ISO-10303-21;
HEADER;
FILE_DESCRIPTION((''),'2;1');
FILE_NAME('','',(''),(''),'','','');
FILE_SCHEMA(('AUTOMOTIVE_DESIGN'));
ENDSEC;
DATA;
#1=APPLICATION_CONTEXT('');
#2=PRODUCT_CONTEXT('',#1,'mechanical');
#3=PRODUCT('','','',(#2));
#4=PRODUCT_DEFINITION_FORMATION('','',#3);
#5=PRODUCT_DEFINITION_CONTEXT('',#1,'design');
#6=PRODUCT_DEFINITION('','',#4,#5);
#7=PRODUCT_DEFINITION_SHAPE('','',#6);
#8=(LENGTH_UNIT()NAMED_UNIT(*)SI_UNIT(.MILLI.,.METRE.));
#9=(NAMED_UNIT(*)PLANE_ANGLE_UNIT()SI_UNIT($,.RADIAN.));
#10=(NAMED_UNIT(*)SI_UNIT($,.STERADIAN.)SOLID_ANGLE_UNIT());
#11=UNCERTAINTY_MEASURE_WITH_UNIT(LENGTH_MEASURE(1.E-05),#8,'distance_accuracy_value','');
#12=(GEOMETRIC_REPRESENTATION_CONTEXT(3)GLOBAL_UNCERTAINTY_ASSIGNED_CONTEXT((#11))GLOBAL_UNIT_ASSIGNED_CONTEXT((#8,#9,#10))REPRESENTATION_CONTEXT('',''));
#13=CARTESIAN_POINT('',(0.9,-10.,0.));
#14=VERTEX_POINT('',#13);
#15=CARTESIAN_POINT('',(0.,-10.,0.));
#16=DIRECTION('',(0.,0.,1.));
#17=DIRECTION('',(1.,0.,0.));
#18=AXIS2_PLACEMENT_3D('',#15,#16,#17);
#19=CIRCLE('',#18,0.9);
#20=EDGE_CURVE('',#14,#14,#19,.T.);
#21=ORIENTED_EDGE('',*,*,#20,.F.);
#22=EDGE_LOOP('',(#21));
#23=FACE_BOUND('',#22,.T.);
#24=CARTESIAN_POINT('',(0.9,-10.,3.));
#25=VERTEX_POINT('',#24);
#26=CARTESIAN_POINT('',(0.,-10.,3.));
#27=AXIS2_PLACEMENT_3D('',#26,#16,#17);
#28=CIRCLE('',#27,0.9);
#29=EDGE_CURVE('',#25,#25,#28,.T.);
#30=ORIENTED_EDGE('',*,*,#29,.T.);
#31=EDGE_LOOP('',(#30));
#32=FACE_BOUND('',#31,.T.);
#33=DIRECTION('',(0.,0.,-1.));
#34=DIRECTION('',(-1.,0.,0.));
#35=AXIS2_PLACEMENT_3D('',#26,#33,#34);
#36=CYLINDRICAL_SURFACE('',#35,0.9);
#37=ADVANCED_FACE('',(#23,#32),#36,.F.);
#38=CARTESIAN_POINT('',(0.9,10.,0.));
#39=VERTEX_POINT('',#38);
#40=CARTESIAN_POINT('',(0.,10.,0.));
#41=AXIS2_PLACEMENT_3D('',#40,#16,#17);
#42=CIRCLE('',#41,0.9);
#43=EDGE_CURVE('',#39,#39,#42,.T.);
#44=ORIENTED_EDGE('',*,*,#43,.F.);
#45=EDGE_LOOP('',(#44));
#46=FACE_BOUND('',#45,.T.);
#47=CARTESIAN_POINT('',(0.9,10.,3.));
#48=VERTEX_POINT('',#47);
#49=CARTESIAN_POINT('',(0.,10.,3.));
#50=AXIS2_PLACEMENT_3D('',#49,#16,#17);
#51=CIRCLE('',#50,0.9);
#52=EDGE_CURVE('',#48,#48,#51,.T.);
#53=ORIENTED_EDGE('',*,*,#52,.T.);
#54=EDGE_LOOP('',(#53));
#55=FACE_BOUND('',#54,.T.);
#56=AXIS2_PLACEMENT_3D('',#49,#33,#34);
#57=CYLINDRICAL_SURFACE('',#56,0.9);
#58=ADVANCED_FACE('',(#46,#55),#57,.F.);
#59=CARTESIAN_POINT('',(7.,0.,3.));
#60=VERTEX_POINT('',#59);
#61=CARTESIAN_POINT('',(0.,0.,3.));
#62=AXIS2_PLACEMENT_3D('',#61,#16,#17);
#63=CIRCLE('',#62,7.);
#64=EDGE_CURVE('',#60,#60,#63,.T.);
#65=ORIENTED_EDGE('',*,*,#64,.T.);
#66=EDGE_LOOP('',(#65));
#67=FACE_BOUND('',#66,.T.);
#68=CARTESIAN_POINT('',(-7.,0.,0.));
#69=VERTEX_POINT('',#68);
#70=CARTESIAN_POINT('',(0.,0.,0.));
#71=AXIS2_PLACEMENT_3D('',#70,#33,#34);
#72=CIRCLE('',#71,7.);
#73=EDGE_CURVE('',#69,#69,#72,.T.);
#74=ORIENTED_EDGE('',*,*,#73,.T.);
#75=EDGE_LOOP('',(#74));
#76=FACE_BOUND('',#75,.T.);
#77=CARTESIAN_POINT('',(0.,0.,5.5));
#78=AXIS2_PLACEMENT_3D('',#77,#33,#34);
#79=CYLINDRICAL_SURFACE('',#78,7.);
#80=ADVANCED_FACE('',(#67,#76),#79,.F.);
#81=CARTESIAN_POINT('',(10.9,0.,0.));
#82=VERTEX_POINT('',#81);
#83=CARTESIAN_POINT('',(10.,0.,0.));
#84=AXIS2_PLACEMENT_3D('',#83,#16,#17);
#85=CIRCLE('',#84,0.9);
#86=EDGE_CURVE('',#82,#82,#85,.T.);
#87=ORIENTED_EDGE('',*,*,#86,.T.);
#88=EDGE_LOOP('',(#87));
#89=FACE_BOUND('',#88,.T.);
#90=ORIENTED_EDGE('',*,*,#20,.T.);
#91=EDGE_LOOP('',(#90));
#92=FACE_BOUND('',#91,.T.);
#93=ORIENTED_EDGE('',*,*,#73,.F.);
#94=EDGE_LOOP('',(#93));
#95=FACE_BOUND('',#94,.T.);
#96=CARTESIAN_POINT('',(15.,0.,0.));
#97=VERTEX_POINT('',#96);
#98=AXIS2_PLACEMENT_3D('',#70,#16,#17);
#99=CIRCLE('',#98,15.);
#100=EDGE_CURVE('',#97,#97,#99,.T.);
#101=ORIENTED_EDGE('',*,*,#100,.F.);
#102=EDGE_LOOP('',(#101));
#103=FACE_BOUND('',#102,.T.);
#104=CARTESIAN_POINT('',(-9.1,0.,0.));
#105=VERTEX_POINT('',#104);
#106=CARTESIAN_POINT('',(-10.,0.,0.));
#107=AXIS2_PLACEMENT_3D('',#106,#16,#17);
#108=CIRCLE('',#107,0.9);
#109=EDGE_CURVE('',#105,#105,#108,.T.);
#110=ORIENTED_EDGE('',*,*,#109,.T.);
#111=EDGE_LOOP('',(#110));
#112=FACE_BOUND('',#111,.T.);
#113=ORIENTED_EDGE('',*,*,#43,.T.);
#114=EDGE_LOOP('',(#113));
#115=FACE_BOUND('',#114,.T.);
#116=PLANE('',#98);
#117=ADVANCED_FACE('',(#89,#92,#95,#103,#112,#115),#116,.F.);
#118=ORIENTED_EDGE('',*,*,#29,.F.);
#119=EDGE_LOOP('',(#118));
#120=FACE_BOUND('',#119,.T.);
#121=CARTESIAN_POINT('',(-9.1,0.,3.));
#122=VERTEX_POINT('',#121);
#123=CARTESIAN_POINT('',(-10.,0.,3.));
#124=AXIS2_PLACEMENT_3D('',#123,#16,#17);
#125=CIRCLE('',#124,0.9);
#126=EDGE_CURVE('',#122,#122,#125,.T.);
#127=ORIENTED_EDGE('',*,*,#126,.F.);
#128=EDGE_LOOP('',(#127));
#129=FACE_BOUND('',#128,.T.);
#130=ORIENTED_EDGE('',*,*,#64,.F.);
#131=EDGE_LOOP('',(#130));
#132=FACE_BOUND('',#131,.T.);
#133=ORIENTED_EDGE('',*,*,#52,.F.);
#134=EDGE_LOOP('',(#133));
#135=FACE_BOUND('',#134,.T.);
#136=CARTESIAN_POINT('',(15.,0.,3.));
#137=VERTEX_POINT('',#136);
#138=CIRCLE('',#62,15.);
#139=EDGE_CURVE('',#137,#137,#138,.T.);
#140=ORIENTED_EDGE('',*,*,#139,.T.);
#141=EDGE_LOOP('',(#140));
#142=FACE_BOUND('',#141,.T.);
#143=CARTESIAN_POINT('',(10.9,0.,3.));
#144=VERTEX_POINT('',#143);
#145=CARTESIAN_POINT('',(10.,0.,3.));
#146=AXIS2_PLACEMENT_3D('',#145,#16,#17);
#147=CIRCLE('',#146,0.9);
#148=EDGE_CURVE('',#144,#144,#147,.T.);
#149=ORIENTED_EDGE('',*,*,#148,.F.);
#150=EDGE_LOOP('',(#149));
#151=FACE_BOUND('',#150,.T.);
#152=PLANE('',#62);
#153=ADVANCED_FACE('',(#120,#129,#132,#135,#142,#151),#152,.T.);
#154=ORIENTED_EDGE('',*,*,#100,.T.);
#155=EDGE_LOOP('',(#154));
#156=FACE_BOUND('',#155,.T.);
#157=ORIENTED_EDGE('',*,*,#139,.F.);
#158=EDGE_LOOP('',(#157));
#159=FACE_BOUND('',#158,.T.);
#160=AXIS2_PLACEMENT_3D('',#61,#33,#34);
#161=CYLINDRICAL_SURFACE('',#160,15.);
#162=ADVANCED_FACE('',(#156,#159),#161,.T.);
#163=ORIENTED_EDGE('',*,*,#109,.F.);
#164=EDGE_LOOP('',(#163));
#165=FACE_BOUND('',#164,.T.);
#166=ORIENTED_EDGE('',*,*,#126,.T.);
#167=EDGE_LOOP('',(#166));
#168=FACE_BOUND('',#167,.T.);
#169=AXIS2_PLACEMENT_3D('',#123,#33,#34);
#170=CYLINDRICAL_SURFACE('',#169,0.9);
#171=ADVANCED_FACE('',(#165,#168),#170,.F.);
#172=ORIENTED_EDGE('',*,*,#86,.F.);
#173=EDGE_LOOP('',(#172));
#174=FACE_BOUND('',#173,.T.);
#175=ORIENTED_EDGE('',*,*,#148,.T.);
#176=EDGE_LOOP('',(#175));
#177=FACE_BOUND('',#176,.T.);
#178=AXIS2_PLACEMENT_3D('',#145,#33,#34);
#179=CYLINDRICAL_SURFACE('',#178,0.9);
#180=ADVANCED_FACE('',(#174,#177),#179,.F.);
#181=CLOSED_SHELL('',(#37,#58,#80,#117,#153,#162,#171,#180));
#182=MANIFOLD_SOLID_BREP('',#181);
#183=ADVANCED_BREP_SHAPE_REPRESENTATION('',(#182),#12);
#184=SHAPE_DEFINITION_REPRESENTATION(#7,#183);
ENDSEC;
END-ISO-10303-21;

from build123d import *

# Parameters (mm, degrees)
SKETCH1_R           = 15
SKETCH1_R_2         = 0.9
BOSS_EXTRUDE1_DEPTH = 3
SKETCH2_R           = 7
CUT_EXTRUDE1_DEPTH  = 5.5


with BuildPart() as part:
    # Sketch1 → Boss-Extrude1 (new body)
    with BuildSketch(Plane.XY):
        Circle(SKETCH1_R)
        with Locations((0, -10)):
            Circle(SKETCH1_R_2, mode=Mode.SUBTRACT)
        with Locations((-10, 0)):
            Circle(SKETCH1_R_2, mode=Mode.SUBTRACT)
        with Locations((0, 10)):
            Circle(SKETCH1_R_2, mode=Mode.SUBTRACT)
        with Locations((10, 0)):
            Circle(SKETCH1_R_2, mode=Mode.SUBTRACT)
    extrude(amount=BOSS_EXTRUDE1_DEPTH)

    # Sketch2 → Cut-Extrude1 (cut)
    with BuildSketch(Plane(origin=(0, 0, 0), x_dir=(-1, 0, 0), z_dir=(0, 0, -1))):
        Circle(SKETCH2_R)
    extrude(amount=-CUT_EXTRUDE1_DEPTH, mode=Mode.SUBTRACT)


solid = part.part
